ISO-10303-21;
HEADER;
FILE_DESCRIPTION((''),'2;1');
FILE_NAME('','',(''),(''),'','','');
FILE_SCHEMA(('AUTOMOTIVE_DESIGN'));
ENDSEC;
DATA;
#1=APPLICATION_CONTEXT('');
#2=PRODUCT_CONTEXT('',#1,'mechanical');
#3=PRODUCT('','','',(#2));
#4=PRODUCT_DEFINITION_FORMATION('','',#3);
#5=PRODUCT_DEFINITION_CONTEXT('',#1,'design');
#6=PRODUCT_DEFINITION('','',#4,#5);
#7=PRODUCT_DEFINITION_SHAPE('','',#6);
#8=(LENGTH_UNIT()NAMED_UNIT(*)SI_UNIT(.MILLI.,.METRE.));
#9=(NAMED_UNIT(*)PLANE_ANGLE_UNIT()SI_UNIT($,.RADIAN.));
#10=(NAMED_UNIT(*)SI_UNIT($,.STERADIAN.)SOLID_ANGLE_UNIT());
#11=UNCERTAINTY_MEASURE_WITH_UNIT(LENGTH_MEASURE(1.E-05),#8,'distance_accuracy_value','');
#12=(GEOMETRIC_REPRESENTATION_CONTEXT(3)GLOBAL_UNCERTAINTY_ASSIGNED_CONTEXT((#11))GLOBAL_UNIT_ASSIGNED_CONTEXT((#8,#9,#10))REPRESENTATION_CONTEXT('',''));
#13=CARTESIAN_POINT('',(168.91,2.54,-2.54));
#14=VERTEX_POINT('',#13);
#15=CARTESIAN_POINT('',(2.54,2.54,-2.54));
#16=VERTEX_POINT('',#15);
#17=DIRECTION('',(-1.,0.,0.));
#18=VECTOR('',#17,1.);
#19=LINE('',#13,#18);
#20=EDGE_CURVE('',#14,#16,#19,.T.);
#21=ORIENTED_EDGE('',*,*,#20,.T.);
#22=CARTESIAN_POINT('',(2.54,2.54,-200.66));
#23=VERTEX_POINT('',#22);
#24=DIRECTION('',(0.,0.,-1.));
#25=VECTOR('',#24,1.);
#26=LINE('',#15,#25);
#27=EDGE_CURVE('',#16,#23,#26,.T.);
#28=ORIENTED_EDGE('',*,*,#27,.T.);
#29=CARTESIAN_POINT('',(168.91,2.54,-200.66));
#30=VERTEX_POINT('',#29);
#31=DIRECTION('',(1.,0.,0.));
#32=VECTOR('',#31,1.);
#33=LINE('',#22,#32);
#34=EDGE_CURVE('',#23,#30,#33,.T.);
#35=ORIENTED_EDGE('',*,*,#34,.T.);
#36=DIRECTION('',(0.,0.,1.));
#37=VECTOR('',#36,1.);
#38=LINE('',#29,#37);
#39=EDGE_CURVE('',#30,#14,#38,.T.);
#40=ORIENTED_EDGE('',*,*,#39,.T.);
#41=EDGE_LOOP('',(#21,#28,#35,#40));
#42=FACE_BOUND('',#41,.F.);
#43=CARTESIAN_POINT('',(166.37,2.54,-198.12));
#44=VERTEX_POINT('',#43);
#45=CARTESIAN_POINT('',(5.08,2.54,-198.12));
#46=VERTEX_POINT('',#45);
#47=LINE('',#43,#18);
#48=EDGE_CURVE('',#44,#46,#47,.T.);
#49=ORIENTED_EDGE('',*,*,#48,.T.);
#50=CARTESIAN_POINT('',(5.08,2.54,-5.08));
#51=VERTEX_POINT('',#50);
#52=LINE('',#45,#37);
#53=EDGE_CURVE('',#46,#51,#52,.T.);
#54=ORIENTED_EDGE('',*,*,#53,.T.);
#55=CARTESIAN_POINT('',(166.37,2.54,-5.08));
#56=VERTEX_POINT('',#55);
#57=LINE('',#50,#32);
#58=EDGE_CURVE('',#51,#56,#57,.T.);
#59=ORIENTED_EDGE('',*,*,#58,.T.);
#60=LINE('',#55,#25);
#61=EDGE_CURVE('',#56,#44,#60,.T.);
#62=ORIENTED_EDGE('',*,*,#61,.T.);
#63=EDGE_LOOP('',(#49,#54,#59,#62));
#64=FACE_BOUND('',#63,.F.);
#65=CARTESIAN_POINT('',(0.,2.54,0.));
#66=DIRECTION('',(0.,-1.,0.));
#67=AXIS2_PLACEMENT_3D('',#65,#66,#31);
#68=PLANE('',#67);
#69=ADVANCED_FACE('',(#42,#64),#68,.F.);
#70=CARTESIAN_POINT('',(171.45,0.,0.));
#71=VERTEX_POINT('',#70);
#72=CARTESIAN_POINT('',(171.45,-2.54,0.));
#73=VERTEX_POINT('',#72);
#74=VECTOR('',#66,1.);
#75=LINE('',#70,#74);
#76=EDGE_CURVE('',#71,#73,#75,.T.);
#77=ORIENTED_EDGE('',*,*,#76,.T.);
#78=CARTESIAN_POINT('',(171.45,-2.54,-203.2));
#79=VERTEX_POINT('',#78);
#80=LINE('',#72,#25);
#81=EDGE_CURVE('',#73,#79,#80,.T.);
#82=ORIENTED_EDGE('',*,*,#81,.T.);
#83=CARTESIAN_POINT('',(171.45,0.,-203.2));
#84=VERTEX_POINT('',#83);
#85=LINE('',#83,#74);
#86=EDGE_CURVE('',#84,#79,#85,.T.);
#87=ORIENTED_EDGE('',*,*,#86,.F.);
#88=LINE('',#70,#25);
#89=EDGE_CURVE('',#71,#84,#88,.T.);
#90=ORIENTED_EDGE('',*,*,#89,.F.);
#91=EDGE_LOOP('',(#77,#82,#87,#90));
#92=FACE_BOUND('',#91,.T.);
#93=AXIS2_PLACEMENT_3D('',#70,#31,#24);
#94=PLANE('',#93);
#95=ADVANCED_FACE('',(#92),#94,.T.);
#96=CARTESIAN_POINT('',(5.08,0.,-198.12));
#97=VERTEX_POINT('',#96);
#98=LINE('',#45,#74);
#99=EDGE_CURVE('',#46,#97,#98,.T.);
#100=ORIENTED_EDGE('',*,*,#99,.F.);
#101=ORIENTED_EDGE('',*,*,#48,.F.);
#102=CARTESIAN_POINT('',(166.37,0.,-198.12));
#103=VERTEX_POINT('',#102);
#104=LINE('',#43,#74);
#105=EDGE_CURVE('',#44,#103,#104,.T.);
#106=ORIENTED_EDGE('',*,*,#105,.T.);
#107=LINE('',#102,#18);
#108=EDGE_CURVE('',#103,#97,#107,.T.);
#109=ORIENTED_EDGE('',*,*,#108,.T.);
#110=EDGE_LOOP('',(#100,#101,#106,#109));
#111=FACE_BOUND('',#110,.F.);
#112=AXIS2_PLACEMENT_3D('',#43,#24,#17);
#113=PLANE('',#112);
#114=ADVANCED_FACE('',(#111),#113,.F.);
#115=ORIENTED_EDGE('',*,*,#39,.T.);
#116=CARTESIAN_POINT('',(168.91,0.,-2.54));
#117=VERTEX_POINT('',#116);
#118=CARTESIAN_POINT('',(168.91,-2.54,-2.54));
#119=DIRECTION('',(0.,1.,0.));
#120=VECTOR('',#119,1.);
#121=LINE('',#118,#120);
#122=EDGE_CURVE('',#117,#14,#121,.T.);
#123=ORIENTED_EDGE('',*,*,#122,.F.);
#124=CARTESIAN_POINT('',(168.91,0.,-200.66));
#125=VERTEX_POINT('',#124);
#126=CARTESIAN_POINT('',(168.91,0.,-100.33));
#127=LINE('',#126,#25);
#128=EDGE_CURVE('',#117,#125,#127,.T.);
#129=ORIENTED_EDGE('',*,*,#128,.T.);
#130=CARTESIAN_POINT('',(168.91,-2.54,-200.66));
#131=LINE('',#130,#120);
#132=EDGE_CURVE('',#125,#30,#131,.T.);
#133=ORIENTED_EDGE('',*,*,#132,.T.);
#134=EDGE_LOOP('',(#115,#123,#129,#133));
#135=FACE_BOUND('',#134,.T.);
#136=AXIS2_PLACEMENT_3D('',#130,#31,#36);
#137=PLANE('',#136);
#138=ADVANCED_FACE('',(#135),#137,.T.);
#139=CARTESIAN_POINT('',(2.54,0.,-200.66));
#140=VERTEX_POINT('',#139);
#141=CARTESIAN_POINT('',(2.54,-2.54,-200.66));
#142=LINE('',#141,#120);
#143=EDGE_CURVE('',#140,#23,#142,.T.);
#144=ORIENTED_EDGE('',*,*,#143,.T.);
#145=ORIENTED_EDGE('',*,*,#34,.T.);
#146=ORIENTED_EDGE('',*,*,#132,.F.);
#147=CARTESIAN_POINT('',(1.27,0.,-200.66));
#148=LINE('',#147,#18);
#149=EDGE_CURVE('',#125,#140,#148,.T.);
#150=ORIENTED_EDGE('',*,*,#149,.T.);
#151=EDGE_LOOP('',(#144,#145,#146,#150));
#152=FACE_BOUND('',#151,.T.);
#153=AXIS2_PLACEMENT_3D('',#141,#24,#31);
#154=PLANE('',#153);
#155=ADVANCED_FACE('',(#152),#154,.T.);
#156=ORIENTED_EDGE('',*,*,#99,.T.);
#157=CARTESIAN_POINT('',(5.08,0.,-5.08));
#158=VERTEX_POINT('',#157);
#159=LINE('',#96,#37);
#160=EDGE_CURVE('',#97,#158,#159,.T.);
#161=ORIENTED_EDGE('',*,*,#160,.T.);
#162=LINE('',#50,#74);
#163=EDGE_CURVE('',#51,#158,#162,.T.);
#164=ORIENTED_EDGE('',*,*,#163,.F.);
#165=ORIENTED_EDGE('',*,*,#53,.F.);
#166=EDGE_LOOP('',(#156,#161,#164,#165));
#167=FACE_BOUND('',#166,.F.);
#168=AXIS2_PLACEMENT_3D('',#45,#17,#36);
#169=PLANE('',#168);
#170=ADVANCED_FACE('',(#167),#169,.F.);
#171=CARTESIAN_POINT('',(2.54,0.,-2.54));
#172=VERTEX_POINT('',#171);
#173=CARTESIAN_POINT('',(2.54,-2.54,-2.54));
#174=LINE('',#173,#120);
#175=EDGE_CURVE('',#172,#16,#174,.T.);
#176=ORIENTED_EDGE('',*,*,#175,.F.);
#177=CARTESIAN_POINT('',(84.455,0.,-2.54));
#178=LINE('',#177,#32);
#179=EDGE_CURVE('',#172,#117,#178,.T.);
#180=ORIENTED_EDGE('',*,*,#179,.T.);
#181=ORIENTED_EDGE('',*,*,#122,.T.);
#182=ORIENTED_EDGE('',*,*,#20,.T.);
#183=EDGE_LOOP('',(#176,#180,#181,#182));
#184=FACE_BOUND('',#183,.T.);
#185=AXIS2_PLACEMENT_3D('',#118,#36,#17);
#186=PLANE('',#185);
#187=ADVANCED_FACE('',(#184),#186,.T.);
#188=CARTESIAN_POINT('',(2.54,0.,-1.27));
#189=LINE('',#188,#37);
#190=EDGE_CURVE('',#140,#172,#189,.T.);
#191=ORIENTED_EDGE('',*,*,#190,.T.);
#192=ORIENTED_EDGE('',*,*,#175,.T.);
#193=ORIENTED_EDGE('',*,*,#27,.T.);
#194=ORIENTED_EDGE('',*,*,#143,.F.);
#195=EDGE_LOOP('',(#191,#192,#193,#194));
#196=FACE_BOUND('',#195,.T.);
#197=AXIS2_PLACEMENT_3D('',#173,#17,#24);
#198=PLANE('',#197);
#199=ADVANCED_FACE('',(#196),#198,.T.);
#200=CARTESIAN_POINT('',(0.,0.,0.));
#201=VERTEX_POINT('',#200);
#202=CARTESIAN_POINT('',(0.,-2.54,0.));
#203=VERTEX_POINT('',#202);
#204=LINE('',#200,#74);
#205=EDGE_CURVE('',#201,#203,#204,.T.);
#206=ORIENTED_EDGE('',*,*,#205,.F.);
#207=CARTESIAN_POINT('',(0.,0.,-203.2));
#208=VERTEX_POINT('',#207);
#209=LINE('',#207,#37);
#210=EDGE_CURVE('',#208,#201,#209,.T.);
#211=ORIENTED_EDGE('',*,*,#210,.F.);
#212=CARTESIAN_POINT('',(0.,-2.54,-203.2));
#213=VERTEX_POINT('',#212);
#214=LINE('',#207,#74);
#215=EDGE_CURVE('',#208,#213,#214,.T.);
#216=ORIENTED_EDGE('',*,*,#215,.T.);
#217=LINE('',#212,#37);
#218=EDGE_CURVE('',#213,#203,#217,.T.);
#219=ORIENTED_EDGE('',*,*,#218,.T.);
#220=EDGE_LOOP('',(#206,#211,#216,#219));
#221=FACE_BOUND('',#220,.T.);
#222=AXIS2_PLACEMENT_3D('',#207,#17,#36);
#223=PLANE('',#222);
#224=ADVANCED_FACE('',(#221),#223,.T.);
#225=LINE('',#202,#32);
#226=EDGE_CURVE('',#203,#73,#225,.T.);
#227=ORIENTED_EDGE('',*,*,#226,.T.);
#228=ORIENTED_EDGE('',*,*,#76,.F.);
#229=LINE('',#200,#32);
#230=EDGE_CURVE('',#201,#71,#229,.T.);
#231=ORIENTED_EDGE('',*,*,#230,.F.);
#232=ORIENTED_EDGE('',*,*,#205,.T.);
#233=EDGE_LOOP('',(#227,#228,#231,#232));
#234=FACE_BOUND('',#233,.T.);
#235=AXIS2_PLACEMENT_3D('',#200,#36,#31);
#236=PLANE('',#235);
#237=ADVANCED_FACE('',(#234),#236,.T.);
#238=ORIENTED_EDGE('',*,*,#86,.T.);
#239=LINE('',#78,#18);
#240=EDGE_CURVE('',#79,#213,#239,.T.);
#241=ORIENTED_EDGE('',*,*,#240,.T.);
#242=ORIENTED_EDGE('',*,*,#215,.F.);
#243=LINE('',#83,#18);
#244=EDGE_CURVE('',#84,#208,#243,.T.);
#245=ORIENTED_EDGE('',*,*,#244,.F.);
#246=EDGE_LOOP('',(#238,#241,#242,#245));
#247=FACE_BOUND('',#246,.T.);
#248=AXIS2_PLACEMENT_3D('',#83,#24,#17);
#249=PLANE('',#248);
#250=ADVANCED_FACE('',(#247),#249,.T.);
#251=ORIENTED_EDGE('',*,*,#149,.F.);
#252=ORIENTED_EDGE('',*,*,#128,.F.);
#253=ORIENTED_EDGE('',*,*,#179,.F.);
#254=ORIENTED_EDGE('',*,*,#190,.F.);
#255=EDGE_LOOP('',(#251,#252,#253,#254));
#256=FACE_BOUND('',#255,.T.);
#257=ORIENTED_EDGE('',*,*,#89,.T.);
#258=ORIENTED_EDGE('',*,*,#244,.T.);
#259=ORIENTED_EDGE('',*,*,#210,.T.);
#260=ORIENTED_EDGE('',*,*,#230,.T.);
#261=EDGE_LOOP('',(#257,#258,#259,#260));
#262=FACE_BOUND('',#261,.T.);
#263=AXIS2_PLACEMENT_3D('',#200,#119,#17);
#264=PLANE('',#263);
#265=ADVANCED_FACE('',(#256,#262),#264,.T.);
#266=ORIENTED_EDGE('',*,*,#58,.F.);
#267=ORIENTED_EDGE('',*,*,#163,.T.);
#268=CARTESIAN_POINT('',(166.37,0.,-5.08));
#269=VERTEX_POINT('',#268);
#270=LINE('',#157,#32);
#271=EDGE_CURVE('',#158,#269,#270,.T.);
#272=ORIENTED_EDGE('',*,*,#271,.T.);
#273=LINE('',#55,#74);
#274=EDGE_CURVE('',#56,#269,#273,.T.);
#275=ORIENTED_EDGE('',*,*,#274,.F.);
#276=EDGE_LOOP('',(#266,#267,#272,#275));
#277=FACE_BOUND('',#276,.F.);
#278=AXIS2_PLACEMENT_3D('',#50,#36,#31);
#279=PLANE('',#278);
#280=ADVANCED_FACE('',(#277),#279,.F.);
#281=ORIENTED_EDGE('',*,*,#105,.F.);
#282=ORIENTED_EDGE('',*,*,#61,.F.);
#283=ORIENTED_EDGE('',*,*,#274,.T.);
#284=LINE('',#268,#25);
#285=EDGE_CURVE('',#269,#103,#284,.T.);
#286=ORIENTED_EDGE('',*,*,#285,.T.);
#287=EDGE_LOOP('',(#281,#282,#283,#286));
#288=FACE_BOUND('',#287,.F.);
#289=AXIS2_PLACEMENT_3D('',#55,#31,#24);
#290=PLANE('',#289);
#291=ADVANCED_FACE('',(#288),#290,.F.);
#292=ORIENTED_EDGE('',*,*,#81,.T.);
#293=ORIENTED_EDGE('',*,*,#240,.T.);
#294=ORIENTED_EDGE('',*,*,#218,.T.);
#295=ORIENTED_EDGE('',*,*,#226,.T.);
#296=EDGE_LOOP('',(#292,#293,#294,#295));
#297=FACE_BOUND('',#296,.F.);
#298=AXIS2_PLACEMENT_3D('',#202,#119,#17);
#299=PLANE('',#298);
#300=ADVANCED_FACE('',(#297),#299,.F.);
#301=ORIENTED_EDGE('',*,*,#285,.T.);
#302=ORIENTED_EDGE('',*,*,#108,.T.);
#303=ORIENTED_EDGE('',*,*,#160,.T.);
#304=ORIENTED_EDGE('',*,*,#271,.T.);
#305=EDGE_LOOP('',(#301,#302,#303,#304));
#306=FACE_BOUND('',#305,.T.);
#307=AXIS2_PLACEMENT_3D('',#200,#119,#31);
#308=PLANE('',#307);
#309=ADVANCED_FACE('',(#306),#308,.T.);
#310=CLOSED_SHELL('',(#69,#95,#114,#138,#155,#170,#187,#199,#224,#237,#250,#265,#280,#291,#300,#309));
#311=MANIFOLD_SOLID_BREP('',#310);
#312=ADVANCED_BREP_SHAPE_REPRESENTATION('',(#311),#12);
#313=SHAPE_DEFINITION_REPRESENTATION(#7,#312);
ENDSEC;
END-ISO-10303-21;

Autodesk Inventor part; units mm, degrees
ref_plane "YZ Plane" through (0, 0, 0) normal (1, 0, 0) x (0, 1, 0)
ref_plane "XZ Plane" through (0, 0, 0) normal (0, 1, 0) x (-1, 0, 0)
ref_plane "XY Plane" through (0, 0, 0) normal (0, 0, 1) x (1, 0, 0)
sketch "Sketch1" plane through (0, 0, 0) normal (0, 1, 0) x (-1, 0, 0)
  line L0 (0, 0) -> (-171.45, 0)
  line L1 (-171.45, 0) -> (-171.45, -203.2)
  line L2 (-171.45, -203.2) -> (0, -203.2)
  line L3 (0, -203.2) -> (0, 0)
  dimension "d0" = 171.45
  dimension "d2" = 203.2
extrude "Extrusion1" add sketch "Sketch1" against normal blind 2.54
sketch "Sketch4" plane through (0, -2.54, 0) normal (0, -1, 0) x (1, 0, 0)
  line L0 (168.91, -2.54) -> (2.54, -2.54)
  line L1 (2.54, -2.54) -> (2.54, -200.66)
  line L2 (2.54, -200.66) -> (168.91, -200.66)
  line L3 (168.91, -200.66) -> (168.91, -2.54)
  line L4 (171.45, 0) -> (171.45, -203.2) projected
  line L5 (171.45, -203.2) -> (0, -203.2) projected
  line L6 (0, 0) -> (171.45, 0) projected
  line L7 (0, -203.2) -> (0, 0) projected
  dimension "d20" = 2.54
  dimension "d21" = 2.54
  dimension "d22" = 2.54
  dimension "d23" = 2.54
extrude "Extrusion3" add sketch "Sketch4" against normal blind 5.08 contours L3 L2 L1 L0
sketch "Sketch6" plane through (0, 2.54, 0) normal (0, 1, 0) x (1, 0, 0)
  line L0 (5.08, 5.08) -> (166.37, 5.08)
  line L1 (166.37, 5.08) -> (166.37, 198.12)
  line L2 (166.37, 198.12) -> (5.08, 198.12)
  line L3 (5.08, 198.12) -> (5.08, 5.08)
  line L4 (2.54, 200.66) -> (2.54, 2.54) projected
  line L5 (168.91, 200.66) -> (2.54, 200.66) projected
  line L6 (168.91, 2.54) -> (168.91, 200.66) projected
  line L7 (2.54, 2.54) -> (168.91, 2.54) projected
  point P0 (0, 0)
  dimension "d24" = 2.54
  dimension "d25" = 2.54
  dimension "d26" = 2.54
  dimension "d27" = 2.54
extrude "Extrusion4" cut sketch "Sketch6" against normal blind 2.54 contours L3 L2 L1 L0
properties part number "Lid"
